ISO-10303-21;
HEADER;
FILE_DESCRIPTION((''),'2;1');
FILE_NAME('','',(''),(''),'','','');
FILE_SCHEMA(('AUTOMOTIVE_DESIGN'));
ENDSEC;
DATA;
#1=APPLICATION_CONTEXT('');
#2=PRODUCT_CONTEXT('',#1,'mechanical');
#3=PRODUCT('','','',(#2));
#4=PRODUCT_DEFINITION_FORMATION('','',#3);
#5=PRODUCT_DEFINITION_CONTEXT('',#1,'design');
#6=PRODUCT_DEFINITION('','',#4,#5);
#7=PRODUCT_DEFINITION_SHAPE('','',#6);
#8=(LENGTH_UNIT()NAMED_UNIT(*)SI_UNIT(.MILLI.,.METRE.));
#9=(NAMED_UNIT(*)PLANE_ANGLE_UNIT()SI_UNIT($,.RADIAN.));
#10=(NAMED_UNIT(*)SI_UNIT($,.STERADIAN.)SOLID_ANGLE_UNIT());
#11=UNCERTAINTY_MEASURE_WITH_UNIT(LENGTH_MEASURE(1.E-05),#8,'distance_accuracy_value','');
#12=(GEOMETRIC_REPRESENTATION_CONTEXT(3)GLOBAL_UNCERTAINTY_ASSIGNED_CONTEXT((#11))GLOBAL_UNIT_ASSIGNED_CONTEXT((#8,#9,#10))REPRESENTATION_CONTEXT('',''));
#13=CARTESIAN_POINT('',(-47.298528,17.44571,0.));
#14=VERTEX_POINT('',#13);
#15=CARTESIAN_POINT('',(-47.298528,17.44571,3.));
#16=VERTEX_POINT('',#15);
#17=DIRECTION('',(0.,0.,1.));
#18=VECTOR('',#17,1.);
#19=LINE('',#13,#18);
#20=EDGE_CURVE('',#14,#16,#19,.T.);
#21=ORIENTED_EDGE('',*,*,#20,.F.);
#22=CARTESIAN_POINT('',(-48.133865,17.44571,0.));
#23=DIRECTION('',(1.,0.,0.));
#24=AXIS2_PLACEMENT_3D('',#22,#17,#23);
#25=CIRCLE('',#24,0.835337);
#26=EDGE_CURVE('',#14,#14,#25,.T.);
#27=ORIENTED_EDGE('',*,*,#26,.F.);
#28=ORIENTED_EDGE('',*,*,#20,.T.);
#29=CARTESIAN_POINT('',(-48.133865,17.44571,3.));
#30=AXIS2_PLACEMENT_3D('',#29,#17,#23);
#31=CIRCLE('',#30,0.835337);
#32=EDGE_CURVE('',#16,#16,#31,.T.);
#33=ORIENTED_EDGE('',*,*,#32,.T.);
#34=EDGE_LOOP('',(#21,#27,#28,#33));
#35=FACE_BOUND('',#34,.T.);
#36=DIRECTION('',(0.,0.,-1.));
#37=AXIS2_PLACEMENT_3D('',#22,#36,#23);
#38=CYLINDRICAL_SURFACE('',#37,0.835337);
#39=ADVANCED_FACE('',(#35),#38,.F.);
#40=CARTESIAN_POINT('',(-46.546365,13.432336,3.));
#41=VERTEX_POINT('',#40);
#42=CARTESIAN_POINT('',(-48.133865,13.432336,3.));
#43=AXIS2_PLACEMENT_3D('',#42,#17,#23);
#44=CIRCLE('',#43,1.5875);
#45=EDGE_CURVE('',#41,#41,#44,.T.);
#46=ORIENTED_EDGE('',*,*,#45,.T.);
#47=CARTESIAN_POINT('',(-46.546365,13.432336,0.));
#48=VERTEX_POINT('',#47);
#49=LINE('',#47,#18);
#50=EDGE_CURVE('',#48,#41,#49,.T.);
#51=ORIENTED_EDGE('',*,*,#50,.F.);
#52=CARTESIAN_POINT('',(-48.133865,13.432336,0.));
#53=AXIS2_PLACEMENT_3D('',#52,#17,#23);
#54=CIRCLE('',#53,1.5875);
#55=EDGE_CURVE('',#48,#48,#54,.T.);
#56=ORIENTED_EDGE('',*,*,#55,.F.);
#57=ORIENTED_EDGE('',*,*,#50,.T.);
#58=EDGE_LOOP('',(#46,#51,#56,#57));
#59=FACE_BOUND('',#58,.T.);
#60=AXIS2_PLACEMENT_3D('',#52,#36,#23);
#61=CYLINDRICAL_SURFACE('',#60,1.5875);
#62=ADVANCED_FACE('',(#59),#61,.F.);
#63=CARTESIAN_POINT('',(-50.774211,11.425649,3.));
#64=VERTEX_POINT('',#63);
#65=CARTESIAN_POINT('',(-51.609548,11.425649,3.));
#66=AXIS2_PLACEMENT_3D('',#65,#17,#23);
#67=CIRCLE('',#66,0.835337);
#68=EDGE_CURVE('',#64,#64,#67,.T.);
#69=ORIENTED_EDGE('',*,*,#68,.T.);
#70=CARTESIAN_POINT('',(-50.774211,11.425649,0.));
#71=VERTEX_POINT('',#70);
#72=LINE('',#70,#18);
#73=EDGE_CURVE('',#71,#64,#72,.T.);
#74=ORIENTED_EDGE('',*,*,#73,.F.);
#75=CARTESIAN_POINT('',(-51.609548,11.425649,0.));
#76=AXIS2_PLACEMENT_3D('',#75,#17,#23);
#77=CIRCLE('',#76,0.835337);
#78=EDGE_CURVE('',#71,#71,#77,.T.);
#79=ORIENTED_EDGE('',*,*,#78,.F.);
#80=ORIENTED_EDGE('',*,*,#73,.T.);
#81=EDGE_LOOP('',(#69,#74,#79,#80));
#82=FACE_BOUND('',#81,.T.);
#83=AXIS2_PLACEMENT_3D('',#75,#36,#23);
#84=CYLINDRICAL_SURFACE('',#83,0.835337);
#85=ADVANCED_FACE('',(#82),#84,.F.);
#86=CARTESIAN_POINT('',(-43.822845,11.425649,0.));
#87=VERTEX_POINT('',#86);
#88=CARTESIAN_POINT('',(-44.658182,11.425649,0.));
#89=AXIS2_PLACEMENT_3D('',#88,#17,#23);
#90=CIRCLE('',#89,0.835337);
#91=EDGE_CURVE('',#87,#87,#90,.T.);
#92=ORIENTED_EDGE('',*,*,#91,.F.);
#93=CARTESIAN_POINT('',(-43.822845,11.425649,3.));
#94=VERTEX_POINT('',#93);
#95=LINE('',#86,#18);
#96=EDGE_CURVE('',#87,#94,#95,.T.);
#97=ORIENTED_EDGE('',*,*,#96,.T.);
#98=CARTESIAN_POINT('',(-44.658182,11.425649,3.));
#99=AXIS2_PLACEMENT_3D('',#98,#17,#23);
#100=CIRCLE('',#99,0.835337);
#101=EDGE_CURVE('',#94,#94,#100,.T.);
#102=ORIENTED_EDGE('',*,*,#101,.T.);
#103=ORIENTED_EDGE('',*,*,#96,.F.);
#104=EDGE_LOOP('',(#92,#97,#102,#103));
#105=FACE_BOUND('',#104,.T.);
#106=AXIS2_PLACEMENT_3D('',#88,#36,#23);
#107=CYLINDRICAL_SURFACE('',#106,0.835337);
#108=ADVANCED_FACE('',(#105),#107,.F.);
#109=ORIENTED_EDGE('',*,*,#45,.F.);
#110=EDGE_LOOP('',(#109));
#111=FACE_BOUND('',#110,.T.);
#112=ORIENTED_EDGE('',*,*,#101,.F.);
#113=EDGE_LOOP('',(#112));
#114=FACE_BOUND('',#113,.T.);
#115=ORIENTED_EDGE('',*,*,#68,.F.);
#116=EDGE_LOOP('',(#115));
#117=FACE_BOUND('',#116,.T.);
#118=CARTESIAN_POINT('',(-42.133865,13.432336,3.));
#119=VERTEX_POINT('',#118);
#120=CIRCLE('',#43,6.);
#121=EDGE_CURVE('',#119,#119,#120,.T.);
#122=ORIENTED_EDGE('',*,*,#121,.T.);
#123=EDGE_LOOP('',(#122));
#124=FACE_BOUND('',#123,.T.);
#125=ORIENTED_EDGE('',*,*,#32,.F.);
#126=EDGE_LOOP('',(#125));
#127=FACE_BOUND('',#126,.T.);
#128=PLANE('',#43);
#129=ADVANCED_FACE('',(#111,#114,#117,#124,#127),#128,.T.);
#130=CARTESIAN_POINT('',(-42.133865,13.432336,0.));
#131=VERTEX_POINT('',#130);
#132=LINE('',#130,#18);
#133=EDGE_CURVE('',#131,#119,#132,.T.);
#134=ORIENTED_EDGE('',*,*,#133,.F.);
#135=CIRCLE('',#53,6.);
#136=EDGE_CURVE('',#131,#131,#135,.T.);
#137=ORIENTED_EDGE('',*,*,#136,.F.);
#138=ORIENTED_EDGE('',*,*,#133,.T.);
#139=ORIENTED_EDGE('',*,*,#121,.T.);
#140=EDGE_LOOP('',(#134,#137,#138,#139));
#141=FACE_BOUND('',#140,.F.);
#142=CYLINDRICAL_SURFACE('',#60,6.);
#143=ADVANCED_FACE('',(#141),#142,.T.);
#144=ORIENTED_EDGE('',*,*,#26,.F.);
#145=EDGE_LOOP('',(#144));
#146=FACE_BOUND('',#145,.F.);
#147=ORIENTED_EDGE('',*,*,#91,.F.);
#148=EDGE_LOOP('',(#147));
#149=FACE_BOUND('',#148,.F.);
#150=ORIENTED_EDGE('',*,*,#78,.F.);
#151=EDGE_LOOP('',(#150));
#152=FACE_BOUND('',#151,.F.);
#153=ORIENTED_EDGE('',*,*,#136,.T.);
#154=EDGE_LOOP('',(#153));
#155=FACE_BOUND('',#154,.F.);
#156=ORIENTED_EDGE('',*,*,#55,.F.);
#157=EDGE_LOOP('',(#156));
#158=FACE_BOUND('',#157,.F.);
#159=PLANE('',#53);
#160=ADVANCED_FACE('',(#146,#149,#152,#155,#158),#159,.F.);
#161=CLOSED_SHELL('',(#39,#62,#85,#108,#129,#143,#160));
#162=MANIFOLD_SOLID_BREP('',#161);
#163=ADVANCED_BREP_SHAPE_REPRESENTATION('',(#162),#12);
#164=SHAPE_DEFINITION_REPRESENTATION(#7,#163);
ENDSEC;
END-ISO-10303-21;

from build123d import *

# Parameters (mm, degrees)
F0_R     = 6
F0_R_2   = 0.835337
F0_R_3   = 1.5875
F1_DEPTH = 3


with BuildPart() as f1:
    # F0 (on Top) → F1 (new body)
    with BuildSketch(Plane.XY):
        with Locations((-48.133865, 13.432336)):
            Circle(F0_R)
        with Locations((-51.609548, 11.425649)):
            Circle(F0_R_2, mode=Mode.SUBTRACT)
        with Locations((-44.658182, 11.425649)):
            Circle(F0_R_2, mode=Mode.SUBTRACT)
        with Locations((-48.133865, 13.432336)):
            Circle(F0_R_3, mode=Mode.SUBTRACT)
        with Locations((-48.133865, 17.44571)):
            Circle(F0_R_2, mode=Mode.SUBTRACT)
    extrude(amount=F1_DEPTH)


solid = f1.part
